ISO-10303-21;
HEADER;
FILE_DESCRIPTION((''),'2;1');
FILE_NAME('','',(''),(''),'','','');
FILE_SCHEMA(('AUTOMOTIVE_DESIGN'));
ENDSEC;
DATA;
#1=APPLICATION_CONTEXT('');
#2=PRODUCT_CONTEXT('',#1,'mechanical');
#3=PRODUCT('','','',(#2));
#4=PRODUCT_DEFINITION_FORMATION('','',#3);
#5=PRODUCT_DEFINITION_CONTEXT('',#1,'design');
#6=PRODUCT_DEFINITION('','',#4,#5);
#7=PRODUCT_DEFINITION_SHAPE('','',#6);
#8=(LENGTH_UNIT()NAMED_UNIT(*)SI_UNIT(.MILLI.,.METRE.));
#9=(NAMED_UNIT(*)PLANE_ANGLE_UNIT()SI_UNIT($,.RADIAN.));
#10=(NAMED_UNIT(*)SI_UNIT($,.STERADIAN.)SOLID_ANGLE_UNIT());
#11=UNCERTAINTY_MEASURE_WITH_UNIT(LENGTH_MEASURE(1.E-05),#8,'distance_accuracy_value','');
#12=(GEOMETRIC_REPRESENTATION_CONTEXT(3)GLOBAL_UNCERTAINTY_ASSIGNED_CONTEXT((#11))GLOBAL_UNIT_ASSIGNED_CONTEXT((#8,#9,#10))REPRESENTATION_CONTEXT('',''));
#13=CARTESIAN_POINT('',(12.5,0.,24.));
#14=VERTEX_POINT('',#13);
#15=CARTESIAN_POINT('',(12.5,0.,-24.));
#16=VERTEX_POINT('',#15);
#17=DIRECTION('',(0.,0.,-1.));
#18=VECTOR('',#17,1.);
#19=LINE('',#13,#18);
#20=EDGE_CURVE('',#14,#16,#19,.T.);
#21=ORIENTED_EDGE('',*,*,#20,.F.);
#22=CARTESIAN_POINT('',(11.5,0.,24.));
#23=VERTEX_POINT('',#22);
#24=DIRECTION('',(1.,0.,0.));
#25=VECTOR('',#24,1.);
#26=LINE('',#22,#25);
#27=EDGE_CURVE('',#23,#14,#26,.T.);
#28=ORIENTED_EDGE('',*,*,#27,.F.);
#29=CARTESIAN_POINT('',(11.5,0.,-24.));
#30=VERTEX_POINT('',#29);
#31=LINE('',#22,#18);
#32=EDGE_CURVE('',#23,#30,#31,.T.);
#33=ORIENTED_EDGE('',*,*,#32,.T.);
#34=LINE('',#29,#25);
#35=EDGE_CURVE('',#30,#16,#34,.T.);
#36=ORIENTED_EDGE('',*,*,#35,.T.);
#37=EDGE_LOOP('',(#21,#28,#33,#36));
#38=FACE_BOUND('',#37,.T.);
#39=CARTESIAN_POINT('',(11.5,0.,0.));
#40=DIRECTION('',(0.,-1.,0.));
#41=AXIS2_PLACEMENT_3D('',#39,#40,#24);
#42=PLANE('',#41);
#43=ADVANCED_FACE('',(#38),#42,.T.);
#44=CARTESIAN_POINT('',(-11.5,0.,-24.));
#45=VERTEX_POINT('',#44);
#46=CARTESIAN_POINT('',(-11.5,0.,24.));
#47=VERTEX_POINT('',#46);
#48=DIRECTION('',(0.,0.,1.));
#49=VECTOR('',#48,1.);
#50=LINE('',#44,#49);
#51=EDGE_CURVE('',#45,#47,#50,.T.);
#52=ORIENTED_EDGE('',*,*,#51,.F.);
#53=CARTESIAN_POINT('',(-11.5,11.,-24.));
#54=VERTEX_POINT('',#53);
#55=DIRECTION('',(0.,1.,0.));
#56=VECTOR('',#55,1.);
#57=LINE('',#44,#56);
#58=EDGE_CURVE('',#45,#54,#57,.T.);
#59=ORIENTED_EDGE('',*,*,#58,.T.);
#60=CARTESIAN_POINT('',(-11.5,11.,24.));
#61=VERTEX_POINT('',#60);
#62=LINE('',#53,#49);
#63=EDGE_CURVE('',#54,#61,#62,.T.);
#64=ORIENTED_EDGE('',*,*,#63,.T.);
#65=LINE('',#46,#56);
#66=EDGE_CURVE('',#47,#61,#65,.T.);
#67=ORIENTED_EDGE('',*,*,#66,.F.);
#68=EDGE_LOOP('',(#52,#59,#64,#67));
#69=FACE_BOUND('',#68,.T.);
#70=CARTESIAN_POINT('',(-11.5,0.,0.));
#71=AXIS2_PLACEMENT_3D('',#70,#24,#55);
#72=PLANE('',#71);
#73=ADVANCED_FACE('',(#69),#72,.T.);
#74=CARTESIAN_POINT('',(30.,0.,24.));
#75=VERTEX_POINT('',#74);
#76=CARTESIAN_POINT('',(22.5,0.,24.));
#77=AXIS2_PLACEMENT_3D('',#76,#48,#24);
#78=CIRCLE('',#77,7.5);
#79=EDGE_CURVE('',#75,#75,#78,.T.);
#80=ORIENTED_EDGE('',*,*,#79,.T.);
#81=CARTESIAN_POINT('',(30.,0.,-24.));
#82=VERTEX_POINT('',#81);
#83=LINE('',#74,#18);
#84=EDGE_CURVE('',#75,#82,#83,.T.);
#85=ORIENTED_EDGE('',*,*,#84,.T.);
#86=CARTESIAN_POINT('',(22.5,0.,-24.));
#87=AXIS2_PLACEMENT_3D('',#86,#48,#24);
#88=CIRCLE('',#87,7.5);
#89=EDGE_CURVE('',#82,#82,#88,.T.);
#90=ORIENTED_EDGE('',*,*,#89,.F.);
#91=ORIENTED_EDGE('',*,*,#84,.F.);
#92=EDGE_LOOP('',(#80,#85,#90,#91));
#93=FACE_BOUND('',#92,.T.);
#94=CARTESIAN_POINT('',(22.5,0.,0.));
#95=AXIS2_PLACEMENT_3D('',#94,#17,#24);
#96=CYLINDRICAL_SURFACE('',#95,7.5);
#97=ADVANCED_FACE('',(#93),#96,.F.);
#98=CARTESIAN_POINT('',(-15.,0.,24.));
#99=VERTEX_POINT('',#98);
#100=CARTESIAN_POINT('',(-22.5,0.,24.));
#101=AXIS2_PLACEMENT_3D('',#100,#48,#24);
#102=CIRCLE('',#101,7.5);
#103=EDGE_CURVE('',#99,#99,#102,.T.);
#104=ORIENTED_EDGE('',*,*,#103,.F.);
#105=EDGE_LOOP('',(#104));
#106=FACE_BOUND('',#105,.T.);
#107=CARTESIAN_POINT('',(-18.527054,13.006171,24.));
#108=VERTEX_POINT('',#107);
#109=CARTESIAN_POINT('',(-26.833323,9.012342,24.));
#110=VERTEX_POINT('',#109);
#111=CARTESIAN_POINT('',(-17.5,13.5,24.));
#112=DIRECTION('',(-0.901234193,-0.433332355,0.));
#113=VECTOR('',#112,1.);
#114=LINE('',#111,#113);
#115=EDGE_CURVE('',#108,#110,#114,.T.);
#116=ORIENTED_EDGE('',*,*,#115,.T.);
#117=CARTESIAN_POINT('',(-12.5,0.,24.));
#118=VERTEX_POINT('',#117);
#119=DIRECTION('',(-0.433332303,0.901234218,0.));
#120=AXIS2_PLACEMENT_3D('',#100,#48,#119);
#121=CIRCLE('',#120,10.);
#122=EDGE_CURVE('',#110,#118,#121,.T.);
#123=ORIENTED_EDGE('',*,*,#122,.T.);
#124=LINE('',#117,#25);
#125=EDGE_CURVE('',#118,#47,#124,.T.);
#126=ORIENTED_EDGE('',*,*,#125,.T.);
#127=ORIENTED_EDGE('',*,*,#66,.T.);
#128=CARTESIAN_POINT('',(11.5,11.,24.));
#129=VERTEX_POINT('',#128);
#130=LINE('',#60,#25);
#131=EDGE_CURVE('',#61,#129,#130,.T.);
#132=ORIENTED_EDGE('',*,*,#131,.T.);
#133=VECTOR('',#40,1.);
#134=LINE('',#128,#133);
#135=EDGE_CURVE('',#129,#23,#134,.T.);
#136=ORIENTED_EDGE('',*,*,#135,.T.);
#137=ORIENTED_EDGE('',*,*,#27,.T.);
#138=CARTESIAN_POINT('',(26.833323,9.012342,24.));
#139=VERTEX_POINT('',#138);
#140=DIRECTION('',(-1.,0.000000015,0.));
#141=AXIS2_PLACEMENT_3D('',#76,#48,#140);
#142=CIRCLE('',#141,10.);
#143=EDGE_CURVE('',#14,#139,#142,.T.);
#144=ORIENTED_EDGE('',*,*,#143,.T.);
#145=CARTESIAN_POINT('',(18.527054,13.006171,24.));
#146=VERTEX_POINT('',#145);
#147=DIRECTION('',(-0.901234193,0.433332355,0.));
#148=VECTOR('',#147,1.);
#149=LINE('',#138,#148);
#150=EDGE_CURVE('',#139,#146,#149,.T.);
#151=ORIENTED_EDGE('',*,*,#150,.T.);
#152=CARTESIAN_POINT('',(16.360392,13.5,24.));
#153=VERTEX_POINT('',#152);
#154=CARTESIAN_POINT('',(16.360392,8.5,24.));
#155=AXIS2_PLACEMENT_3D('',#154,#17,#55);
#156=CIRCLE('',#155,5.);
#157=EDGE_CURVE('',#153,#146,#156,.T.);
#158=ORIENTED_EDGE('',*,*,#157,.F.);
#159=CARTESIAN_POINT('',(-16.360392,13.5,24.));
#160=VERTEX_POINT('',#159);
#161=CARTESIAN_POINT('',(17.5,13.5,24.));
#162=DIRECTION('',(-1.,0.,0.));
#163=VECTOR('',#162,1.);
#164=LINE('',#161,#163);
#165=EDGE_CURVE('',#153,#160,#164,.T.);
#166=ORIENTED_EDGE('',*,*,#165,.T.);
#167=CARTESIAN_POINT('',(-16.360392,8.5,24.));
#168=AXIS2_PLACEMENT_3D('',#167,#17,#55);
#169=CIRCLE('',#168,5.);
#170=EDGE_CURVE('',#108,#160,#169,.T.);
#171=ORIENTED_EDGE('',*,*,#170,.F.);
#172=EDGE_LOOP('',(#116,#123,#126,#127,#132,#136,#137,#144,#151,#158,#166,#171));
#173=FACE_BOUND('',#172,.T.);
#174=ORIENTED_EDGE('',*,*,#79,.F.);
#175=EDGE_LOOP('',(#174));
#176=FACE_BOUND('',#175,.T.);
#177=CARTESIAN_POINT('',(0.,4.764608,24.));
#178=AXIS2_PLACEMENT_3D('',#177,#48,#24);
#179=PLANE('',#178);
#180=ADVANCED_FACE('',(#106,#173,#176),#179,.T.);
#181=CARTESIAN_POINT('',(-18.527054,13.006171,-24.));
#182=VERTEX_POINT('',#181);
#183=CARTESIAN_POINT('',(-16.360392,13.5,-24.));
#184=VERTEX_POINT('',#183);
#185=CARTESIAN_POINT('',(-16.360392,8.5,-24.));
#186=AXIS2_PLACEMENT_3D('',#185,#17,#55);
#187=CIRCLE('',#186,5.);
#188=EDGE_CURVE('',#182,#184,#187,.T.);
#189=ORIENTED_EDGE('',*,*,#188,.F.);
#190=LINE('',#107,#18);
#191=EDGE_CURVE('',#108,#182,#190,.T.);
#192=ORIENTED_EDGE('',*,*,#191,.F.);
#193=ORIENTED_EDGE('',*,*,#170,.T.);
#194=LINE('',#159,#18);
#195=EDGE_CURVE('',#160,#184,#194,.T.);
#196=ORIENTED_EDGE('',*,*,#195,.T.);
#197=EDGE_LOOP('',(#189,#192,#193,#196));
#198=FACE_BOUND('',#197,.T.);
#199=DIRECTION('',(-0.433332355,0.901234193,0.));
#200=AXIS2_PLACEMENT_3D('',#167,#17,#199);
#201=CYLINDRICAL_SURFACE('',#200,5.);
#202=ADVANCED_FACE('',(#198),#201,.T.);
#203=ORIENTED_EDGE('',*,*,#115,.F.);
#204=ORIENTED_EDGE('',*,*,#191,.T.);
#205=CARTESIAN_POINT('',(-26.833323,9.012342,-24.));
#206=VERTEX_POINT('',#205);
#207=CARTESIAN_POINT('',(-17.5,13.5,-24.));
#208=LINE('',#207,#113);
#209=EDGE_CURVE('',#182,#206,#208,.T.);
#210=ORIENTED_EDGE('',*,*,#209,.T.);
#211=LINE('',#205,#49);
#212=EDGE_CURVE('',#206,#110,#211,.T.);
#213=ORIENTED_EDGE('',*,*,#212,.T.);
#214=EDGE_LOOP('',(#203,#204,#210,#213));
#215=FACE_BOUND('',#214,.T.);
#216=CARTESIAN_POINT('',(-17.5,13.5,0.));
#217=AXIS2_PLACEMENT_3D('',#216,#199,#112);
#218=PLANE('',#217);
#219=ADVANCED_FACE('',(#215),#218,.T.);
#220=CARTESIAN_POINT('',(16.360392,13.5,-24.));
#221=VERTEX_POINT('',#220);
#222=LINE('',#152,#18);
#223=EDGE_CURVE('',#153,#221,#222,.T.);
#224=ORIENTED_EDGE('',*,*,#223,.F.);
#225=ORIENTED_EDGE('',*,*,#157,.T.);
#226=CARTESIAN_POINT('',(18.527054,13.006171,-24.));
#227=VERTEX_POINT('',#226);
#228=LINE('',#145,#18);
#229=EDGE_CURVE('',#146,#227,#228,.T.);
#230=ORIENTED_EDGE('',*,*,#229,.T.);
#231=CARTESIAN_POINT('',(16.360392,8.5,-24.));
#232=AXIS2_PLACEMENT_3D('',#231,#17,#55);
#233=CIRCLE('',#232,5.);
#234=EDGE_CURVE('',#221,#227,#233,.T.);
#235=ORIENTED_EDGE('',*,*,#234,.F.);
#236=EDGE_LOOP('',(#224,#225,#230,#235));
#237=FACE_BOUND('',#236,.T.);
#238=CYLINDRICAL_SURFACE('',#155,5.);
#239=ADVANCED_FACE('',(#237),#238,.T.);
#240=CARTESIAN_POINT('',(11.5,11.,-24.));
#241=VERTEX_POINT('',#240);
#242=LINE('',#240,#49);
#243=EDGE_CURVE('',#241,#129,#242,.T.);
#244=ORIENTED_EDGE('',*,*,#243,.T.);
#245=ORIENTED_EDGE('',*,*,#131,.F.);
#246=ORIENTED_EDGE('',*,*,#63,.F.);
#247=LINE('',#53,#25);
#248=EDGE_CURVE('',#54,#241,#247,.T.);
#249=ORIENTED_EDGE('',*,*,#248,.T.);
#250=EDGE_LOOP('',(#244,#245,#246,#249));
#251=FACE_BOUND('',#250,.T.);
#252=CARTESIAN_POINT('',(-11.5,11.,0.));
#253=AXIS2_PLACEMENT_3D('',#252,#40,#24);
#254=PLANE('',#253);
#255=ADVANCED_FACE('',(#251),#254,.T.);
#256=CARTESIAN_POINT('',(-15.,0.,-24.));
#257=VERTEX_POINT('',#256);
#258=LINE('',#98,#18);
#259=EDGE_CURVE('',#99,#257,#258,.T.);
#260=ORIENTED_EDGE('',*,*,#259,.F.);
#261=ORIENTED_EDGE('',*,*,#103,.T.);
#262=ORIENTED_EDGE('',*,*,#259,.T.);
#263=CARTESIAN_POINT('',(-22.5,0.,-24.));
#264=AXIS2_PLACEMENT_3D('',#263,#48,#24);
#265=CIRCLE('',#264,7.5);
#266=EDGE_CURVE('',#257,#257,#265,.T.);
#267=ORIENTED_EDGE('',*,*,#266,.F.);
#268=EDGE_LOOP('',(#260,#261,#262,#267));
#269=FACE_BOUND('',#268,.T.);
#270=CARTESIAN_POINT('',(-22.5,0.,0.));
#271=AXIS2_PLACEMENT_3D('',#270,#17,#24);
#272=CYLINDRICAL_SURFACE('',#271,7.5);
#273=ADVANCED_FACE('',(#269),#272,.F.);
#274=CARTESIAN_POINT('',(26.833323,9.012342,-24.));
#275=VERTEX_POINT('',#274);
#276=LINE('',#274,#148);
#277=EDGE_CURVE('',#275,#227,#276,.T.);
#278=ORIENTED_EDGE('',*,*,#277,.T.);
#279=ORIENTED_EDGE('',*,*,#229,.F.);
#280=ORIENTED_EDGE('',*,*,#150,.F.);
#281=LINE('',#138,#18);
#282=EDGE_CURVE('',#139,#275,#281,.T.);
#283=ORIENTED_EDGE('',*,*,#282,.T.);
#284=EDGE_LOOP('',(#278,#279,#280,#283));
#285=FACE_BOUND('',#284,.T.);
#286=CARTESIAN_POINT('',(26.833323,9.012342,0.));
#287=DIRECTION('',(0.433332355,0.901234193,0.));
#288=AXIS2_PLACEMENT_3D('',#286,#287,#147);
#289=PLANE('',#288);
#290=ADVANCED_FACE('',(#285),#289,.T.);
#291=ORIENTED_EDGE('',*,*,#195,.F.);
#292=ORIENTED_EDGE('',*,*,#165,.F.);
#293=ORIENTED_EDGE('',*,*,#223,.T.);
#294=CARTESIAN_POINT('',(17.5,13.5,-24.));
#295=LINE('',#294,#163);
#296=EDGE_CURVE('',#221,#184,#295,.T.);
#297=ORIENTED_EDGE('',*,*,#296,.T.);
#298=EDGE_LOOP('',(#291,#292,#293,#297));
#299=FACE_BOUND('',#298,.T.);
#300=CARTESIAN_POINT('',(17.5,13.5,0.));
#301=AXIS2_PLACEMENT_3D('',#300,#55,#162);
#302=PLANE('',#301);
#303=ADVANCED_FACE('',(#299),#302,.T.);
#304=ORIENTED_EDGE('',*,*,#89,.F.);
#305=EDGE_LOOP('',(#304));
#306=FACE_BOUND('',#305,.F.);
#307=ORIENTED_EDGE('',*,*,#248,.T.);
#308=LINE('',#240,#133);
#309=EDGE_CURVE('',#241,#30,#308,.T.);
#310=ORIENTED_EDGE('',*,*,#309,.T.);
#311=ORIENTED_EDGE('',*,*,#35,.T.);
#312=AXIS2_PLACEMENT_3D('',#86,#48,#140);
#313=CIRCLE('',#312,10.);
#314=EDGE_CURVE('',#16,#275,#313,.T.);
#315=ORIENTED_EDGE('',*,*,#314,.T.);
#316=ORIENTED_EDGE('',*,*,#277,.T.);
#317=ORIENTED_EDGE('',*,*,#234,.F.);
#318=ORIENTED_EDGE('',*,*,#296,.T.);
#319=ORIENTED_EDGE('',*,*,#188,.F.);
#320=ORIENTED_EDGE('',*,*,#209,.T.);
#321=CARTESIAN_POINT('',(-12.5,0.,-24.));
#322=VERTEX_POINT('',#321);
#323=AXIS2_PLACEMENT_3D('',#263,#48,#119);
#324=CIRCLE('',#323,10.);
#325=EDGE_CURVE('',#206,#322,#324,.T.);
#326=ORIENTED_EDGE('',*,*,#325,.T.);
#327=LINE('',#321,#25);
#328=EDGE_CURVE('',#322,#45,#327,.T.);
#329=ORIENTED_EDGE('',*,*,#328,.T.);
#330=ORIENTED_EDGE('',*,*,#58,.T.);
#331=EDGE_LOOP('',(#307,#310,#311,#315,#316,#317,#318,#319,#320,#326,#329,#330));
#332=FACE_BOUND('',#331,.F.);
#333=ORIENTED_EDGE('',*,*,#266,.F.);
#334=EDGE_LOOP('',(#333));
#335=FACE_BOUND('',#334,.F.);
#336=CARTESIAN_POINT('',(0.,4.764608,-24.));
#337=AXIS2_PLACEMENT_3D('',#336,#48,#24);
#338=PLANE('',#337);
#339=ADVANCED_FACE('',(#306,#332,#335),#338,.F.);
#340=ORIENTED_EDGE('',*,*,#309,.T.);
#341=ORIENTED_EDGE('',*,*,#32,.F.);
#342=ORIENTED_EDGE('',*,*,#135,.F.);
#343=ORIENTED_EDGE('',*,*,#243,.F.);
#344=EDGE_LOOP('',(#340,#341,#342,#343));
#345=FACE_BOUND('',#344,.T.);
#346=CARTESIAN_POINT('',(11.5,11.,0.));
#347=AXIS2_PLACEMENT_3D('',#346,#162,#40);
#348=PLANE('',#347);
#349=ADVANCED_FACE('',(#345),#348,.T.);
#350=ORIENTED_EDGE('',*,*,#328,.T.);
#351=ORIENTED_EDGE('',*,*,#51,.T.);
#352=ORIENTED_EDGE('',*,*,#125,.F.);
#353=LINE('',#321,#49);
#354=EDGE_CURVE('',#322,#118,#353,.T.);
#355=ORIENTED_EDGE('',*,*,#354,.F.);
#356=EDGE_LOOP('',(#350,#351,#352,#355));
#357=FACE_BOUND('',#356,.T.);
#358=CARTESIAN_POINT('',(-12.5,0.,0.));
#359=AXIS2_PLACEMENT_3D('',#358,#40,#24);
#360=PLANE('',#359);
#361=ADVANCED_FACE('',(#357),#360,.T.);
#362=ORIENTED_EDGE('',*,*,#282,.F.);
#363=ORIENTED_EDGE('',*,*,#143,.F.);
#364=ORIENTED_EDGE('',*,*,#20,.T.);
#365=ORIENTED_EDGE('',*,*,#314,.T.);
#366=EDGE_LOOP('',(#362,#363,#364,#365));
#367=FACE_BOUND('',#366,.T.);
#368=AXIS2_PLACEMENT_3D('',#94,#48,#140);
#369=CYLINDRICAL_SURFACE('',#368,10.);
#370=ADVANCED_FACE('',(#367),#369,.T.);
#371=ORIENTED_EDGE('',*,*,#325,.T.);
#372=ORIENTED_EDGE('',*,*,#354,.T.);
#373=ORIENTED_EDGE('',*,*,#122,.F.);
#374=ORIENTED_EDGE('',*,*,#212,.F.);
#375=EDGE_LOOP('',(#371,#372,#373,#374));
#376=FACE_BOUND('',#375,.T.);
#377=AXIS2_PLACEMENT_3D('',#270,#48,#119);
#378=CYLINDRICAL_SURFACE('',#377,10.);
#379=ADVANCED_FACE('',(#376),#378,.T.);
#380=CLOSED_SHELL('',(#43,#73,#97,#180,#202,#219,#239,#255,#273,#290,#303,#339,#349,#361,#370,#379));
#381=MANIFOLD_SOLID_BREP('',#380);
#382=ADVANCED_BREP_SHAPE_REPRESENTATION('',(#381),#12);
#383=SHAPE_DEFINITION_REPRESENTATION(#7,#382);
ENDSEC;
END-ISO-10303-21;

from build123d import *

# Parameters (mm, degrees)
F0_R     = 7.5
F1_DEPTH = 24
F2_R     = 5


with BuildPart() as f1:
    # F0 (on Top) → F1 (new body, symmetric)
    with BuildSketch(Plane.XY):
        with BuildLine():
            Line((-17.5, 13.5), (-26.833323, 9.012342))
            ThreePointArc((-26.833323, 9.012342), (-27.822911, -8.465614), (-12.5, 0))
            Line((-12.5, 0), (-11.5, 0))
            Line((-11.5, 0), (-11.5, 11))
            Line((-11.5, 11), (11.5, 11))
            Line((11.5, 11), (11.5, 0))
            Line((11.5, 0), (12.5, 0))
            ThreePointArc((12.5, 0), (27.822911, -8.465614), (26.833323, 9.012342))
            Line((26.833323, 9.012342), (17.5, 13.5))
            Line((17.5, 13.5), (-17.5, 13.5))
        make_face()
        with Locations((-22.5, 0)):
            Circle(F0_R, mode=Mode.SUBTRACT)
        with Locations((22.5, 0)):
            Circle(F0_R, mode=Mode.SUBTRACT)
    extrude(amount=F1_DEPTH, both=True)

    # F2
    f2_edges = [f1.edges().sort_by_distance(p)[0] for p in [
        (17.5, 13.5, 0),
        (-17.5, 13.5, 0),
    ]]
    fillet(f2_edges, radius=F2_R)


solid = f1.part
